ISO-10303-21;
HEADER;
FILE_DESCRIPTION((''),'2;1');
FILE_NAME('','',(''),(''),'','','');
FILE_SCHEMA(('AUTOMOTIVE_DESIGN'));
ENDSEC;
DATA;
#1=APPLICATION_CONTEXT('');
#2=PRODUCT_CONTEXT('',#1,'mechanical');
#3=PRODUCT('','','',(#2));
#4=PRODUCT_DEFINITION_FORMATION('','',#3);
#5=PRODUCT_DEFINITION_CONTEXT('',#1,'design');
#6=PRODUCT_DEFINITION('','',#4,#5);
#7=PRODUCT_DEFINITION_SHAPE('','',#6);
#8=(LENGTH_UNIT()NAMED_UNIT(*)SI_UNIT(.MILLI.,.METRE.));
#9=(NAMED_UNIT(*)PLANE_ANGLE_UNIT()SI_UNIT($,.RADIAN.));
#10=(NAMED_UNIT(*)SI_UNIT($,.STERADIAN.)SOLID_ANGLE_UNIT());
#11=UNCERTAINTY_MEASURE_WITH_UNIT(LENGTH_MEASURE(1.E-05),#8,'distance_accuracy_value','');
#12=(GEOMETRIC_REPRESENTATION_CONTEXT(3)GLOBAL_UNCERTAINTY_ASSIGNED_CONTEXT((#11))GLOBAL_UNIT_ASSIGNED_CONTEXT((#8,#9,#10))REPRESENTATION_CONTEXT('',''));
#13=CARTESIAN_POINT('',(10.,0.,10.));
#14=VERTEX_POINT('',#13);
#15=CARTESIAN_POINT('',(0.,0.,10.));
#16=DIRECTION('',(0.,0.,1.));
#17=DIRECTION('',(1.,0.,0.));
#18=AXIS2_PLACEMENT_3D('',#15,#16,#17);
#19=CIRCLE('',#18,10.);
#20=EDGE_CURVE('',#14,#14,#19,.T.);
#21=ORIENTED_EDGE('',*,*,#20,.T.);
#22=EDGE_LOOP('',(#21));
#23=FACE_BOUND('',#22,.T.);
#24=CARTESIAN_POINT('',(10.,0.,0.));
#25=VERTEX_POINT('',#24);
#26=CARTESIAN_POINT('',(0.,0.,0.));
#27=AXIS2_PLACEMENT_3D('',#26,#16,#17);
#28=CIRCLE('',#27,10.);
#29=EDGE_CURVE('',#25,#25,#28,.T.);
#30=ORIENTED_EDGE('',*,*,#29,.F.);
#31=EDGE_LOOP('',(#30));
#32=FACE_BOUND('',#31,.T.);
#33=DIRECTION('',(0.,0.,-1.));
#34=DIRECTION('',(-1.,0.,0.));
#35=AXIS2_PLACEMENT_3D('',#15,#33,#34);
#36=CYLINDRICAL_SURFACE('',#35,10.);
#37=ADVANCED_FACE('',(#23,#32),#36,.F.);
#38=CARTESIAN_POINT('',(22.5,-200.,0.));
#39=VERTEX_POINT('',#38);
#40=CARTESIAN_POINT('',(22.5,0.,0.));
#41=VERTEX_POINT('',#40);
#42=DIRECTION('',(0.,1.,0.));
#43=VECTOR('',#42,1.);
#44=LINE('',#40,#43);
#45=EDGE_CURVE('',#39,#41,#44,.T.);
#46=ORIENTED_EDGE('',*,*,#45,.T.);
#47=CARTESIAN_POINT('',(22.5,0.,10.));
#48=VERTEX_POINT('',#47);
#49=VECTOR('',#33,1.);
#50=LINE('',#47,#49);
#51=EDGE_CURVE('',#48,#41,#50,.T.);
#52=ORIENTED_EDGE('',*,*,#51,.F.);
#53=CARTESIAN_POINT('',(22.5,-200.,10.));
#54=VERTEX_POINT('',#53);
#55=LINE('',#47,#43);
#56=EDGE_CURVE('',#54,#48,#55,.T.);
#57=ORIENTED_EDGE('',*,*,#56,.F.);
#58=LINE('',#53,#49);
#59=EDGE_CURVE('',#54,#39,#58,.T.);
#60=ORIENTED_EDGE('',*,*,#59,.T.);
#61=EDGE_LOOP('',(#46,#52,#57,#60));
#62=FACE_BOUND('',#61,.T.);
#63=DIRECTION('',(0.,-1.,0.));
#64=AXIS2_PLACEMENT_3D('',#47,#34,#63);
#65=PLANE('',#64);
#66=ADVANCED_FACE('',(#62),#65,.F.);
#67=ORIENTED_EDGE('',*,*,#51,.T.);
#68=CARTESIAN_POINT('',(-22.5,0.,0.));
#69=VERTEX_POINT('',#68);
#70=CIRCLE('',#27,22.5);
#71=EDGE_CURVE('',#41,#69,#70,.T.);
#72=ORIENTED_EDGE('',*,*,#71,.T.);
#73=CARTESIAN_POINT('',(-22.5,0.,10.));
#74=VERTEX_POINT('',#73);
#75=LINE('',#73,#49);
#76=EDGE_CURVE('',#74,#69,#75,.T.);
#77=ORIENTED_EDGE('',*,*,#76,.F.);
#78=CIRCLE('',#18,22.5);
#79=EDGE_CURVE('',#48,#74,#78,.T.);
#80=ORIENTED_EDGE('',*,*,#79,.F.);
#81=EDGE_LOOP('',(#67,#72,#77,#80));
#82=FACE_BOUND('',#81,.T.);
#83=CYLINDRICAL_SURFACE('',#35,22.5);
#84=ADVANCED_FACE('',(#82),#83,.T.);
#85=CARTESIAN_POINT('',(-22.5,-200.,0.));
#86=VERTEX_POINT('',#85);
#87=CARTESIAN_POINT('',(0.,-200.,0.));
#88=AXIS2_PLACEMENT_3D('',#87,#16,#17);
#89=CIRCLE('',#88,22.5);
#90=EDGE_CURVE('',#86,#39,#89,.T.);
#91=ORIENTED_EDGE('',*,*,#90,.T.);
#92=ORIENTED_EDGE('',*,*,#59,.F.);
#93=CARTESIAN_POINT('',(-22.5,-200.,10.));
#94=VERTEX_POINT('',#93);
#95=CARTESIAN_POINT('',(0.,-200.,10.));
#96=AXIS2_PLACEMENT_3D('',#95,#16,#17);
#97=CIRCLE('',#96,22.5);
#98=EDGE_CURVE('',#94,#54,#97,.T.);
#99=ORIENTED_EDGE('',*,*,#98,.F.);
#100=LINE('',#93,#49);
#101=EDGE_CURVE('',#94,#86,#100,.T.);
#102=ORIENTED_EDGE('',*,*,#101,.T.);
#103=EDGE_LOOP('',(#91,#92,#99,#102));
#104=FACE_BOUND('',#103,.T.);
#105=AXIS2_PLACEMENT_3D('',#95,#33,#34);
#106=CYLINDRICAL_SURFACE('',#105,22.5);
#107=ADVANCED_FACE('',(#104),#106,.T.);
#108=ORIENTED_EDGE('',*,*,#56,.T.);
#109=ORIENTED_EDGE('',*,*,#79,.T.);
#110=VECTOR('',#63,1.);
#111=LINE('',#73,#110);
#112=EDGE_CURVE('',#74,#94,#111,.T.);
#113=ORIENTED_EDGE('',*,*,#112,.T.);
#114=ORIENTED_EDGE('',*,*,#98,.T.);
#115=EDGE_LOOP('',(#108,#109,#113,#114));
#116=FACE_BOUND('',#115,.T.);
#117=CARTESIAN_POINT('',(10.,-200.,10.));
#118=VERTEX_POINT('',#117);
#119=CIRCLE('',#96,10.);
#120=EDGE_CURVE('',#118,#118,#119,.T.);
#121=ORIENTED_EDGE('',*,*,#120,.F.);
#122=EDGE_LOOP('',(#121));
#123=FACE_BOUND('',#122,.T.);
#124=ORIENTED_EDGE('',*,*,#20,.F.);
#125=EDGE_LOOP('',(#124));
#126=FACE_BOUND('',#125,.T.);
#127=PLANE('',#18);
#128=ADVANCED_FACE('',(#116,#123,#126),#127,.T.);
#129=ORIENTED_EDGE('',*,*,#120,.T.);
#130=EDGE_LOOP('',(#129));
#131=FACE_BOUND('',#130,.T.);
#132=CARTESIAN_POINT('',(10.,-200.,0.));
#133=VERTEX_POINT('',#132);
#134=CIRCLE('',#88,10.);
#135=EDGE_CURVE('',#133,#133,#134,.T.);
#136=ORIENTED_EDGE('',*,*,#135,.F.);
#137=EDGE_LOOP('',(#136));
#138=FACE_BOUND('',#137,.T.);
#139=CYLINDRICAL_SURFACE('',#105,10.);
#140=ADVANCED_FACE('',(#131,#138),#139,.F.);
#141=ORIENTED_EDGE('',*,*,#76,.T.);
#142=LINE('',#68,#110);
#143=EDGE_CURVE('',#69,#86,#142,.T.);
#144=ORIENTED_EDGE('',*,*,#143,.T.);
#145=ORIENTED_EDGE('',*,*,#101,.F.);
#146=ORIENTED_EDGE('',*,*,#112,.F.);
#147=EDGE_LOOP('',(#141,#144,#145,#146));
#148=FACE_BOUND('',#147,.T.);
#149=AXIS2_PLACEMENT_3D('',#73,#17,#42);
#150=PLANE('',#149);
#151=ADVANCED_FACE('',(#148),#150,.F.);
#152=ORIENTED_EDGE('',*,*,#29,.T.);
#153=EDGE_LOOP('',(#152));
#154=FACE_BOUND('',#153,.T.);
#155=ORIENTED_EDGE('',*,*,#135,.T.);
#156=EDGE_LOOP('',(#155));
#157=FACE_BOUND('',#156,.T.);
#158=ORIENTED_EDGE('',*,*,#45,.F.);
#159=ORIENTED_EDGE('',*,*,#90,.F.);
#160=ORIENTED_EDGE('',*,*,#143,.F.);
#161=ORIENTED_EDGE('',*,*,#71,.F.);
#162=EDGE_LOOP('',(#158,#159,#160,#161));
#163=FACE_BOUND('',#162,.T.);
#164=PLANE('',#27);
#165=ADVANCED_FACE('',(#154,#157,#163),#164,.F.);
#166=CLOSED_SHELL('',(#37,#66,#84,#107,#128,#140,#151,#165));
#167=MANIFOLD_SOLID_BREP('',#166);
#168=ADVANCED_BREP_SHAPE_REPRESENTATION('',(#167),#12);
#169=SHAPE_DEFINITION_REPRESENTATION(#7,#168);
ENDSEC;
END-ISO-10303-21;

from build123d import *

# Parameters (mm, degrees)
CROQUIS1_R              = 10
SALIENTE_EXTRUIR1_DEPTH = 10


with BuildPart() as part:
    # Croquis1 → Saliente-Extruir1 (new body)
    with BuildSketch(Plane.XY):
        with BuildLine():
            Line((-22.5, 0), (-22.5, -200))
            ThreePointArc((-22.5, -200), (0, -222.5), (22.5, -200))
            Line((22.5, -200), (22.5, 0))
            ThreePointArc((22.5, 0), (0, 22.5), (-22.5, 0))
        make_face()
        Circle(CROQUIS1_R, mode=Mode.SUBTRACT)
        with Locations((0, -200)):
            Circle(CROQUIS1_R, mode=Mode.SUBTRACT)
    extrude(amount=SALIENTE_EXTRUIR1_DEPTH)


solid = part.part
